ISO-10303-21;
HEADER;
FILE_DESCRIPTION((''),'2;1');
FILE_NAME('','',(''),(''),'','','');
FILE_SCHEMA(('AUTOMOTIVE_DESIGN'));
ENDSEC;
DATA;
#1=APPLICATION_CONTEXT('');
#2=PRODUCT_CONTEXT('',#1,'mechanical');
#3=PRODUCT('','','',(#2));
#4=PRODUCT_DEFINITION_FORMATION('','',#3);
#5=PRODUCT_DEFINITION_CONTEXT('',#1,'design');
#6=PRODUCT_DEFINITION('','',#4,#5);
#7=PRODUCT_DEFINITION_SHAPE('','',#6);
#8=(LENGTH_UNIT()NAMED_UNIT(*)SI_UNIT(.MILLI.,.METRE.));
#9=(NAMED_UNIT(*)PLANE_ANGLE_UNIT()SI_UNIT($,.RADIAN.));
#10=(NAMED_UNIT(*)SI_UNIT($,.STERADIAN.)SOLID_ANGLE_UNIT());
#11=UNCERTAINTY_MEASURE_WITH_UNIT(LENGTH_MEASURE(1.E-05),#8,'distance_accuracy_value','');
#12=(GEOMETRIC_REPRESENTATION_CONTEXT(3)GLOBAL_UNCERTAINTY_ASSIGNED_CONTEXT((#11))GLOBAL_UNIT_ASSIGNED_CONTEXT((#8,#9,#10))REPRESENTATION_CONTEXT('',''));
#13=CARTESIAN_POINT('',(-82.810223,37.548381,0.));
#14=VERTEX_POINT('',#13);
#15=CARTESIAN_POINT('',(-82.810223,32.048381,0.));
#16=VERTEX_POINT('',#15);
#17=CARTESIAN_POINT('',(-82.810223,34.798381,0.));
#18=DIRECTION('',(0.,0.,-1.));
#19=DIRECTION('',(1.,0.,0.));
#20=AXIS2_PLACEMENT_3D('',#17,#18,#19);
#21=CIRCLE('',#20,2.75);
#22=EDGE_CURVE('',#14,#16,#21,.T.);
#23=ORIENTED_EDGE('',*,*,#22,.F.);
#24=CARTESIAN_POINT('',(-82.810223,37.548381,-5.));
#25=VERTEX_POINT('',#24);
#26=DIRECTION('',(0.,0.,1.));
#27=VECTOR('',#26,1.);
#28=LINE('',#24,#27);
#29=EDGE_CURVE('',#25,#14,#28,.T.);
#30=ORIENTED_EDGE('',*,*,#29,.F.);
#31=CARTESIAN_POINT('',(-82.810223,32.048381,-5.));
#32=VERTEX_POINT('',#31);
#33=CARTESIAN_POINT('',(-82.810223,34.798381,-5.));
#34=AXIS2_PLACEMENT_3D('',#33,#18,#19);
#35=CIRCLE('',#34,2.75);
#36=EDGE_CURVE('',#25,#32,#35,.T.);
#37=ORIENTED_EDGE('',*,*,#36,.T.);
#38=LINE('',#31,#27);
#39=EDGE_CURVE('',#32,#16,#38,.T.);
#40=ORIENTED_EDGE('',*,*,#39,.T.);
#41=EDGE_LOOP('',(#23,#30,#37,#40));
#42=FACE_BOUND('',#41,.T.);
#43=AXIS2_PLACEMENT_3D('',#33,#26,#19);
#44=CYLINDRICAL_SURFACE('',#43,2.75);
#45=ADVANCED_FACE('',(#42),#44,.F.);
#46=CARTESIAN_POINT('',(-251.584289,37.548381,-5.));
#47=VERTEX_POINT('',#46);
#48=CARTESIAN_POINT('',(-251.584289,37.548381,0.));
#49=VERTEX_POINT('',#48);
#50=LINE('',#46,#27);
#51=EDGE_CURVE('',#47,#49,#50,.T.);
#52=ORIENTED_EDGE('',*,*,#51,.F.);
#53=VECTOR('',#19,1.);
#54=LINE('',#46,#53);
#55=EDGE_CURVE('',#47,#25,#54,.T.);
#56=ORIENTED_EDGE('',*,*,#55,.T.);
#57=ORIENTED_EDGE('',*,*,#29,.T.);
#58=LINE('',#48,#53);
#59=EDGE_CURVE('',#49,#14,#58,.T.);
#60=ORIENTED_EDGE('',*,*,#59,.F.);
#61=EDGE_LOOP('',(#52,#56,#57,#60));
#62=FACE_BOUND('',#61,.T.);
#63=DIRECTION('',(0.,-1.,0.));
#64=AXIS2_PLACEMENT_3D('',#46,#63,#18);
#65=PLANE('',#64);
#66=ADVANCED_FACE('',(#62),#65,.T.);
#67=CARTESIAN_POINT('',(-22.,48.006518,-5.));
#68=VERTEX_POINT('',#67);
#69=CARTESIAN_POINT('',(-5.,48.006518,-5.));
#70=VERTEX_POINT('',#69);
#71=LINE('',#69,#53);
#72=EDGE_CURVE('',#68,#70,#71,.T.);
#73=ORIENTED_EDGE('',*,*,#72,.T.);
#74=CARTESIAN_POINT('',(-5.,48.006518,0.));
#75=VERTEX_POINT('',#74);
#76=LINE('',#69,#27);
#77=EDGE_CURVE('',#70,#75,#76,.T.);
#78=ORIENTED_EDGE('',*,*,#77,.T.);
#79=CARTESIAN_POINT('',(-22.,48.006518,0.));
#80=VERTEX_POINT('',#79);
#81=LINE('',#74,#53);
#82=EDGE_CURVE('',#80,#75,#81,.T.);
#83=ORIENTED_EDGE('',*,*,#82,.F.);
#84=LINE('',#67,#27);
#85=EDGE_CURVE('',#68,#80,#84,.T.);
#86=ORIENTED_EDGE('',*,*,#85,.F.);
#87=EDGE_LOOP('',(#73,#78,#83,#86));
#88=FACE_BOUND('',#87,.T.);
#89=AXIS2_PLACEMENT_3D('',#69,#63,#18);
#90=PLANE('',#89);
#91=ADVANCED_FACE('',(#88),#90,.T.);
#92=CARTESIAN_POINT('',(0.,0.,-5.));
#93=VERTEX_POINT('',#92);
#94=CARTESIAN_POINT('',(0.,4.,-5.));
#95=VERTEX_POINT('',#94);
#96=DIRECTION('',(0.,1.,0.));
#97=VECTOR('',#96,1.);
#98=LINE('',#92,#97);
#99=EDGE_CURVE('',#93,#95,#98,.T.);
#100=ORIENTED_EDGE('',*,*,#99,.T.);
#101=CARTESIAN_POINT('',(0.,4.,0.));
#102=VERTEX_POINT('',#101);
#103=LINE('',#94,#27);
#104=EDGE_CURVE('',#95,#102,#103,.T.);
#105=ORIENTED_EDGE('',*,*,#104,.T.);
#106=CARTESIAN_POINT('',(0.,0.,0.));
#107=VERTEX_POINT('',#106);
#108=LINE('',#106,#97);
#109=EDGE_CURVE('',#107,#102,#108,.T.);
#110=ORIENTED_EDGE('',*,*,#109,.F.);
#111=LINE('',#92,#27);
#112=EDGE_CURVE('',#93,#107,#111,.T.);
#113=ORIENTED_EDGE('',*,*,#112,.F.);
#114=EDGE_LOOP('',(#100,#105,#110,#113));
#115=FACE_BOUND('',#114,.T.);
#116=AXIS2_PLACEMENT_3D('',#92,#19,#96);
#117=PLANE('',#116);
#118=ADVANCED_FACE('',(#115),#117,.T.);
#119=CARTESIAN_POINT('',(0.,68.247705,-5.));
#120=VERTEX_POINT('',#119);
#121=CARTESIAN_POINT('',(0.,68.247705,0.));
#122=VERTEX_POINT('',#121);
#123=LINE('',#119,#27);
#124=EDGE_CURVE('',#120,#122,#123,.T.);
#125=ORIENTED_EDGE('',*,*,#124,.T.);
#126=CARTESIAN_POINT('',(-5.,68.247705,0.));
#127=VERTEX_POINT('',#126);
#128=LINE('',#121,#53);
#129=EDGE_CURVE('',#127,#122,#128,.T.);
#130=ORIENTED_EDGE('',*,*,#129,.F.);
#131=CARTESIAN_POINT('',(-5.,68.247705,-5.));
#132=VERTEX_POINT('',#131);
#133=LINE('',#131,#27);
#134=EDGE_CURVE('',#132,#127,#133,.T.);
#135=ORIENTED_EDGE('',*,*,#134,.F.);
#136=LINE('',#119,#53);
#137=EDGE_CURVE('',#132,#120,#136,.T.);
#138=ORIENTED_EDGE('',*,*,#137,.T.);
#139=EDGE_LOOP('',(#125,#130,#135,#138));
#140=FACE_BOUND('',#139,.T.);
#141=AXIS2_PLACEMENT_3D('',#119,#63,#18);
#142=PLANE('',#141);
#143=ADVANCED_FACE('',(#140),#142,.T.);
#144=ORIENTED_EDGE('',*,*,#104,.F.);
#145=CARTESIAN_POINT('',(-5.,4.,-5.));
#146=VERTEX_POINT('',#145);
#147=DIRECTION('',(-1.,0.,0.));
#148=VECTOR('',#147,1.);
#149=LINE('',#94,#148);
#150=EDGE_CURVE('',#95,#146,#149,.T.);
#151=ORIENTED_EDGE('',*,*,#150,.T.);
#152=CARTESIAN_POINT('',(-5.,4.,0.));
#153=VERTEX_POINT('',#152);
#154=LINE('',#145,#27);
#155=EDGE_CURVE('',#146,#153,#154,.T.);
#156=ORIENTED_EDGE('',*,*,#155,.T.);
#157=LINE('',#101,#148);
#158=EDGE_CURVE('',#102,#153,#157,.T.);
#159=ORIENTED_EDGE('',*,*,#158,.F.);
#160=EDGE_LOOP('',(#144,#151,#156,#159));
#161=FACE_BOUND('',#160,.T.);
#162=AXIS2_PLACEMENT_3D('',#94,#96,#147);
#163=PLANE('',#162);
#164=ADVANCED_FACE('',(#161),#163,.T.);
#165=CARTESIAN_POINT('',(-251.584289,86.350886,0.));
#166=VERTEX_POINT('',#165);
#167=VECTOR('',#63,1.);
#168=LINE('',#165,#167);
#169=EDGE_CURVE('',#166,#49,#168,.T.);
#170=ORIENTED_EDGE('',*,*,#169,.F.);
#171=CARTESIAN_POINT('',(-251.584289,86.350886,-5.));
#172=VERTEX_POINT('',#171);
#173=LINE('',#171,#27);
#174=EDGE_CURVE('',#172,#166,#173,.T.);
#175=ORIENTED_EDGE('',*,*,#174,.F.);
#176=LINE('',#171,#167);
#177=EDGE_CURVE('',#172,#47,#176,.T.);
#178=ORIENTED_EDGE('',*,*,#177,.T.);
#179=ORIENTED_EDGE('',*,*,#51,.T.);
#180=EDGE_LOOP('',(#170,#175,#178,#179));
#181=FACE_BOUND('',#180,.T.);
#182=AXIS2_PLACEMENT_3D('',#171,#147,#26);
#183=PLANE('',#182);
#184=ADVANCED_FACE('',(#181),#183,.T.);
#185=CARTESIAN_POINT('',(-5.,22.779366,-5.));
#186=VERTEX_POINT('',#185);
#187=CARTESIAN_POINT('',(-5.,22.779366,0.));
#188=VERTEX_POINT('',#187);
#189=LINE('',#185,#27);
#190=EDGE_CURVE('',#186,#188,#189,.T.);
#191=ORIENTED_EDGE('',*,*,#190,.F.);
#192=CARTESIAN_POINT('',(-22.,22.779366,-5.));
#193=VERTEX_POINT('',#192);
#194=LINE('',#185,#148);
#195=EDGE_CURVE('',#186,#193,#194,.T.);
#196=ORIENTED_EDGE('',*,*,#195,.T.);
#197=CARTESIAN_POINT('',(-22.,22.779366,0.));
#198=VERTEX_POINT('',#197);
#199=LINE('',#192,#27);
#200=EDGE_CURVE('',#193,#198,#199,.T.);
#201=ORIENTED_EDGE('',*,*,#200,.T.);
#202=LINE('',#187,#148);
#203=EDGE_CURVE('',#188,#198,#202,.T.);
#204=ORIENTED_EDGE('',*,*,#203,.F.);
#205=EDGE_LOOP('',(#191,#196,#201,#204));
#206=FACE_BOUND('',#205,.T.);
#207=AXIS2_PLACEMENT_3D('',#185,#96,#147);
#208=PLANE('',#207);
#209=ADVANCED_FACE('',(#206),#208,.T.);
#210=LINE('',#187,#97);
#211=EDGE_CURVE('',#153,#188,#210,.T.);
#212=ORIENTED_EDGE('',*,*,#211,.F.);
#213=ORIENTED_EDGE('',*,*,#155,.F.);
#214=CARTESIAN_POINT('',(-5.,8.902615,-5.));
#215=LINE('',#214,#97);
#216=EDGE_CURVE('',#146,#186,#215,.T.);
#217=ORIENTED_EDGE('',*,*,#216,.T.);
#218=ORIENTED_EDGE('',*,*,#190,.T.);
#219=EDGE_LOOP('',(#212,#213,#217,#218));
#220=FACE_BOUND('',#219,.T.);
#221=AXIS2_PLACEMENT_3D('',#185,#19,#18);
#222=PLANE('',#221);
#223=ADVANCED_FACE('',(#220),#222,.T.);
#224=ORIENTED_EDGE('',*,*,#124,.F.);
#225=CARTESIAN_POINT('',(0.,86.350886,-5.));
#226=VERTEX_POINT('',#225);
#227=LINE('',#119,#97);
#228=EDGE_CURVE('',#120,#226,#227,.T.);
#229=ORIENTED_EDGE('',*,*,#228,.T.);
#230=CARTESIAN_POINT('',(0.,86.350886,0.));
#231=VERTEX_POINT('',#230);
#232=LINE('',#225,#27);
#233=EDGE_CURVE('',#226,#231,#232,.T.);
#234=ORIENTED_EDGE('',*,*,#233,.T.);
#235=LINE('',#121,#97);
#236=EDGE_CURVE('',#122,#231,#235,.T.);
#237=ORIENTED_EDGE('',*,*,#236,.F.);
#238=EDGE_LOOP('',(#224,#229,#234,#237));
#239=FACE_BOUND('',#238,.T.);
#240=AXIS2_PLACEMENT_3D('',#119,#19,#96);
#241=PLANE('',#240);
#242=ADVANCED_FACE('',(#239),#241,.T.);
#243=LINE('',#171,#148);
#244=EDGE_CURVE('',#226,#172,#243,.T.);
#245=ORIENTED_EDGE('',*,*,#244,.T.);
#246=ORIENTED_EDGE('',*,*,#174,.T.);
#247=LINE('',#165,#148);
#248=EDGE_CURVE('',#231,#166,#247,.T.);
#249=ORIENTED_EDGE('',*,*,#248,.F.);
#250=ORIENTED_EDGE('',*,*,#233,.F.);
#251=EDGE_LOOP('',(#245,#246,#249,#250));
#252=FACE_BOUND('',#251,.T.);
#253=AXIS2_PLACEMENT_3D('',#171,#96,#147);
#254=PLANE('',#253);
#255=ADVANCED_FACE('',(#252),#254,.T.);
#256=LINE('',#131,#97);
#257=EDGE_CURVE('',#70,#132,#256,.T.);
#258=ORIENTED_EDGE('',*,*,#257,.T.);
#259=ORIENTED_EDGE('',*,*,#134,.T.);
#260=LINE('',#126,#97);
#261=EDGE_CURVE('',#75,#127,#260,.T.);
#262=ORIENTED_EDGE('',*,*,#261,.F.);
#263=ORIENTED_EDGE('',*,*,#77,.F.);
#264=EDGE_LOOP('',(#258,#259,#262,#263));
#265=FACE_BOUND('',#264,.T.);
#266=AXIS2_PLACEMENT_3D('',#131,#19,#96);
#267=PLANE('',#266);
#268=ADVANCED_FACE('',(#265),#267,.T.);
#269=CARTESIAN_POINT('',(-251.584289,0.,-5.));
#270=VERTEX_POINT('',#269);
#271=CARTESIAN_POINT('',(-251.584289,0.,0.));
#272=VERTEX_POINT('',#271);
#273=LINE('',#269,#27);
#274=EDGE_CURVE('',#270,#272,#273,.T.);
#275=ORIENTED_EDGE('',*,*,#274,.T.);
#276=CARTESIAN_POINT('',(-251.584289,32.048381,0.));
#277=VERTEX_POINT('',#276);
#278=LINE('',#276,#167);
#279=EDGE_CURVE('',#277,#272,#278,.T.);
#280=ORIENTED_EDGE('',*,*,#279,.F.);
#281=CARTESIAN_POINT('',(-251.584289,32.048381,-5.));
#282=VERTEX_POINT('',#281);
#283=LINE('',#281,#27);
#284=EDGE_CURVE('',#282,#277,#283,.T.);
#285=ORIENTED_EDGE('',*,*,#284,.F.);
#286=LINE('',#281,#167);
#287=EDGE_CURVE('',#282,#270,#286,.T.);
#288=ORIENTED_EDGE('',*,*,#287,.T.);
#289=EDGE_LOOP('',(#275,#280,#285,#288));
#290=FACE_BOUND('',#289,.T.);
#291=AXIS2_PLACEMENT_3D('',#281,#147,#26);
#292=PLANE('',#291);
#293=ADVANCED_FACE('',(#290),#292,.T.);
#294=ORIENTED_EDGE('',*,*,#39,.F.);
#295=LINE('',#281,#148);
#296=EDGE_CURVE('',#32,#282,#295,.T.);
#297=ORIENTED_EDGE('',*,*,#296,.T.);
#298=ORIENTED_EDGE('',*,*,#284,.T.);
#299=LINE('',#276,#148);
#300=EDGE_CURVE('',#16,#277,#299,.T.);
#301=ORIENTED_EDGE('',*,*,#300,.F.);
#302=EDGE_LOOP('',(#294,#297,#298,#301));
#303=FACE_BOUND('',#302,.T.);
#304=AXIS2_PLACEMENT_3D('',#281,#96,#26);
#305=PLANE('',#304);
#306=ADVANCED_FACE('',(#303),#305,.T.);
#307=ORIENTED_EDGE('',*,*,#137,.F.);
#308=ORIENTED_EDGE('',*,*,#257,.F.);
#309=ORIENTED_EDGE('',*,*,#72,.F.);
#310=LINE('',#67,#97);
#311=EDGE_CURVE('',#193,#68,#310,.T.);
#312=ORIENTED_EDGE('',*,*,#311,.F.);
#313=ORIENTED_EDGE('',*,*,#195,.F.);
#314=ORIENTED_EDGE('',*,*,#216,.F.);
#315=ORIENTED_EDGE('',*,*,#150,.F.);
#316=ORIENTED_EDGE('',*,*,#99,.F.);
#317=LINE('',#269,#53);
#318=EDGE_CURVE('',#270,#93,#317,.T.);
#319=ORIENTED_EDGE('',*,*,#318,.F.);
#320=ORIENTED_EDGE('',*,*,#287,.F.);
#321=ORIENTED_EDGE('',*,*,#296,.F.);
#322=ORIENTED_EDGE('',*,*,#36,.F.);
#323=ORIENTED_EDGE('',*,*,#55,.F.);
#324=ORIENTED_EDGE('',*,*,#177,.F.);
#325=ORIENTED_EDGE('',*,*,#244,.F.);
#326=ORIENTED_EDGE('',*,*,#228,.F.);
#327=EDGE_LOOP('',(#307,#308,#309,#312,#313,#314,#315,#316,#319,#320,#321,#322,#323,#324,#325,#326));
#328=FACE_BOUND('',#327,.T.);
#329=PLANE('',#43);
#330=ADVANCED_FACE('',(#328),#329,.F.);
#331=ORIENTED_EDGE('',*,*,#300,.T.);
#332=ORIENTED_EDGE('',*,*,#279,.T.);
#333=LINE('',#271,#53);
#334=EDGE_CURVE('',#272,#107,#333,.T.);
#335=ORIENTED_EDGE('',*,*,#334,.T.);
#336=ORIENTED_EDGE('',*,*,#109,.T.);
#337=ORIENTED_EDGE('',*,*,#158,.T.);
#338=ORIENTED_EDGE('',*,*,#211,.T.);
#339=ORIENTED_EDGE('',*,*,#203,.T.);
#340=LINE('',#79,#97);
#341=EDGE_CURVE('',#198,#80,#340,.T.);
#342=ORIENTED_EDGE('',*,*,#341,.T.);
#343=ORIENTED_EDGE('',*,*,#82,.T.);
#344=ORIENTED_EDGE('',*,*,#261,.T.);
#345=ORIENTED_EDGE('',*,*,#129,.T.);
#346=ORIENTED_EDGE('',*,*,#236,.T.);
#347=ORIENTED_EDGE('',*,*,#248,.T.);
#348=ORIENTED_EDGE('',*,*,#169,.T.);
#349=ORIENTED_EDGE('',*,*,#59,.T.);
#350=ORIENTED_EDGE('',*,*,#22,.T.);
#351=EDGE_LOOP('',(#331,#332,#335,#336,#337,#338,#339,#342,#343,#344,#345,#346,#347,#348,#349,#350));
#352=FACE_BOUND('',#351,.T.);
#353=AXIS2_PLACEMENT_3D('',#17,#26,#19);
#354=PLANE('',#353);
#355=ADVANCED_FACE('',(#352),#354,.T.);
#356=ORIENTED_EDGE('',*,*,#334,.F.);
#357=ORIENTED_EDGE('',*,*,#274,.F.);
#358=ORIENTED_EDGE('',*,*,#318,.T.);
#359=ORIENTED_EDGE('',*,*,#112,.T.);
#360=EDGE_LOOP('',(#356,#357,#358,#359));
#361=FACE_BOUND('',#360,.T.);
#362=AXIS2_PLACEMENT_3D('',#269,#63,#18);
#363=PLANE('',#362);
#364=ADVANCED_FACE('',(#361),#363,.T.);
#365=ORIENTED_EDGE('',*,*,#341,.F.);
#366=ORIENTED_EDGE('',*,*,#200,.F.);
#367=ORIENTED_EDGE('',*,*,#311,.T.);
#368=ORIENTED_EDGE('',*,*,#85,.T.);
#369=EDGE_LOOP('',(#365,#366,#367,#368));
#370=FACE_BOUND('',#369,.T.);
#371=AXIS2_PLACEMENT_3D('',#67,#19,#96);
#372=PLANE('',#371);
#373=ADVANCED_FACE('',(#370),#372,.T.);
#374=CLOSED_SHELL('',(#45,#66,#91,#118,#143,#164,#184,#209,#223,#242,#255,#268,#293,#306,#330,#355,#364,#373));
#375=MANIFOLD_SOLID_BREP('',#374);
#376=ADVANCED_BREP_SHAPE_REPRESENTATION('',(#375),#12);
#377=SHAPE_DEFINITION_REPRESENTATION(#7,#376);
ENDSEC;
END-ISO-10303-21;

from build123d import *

# Parameters (mm, degrees)
BOSS_EXTRUDE1_DEPTH = 5


with BuildPart() as part:
    # Sketch1 → Boss-Extrude1 (new body)
    with BuildSketch(Plane.XY):
        with BuildLine():
            Line((-5, 13.882591105), (-5, 8.902615006))
            Line((-5, 8.902615006), (-5, 4))
            Line((-5, 4), (0, 4))
            Line((0, 4), (0, 0))
            Line((0, 0), (-251.584289061, 0))
            Line((-251.584289061, 0), (-251.584289061, 32.048381087))
            Line((-251.584289061, 32.048381087), (-82.810223158, 32.048381087))
            ThreePointArc((-82.810223158, 32.048381087), (-80.060223158, 34.798381087), (-82.810223158, 37.548381087))
            Line((-82.810223158, 37.548381087), (-251.584289061, 37.548381087))
            Line((-251.584289061, 37.548381087), (-251.584289061, 86.350886134))
            Line((-251.584289061, 86.350886134), (0, 86.350886134))
            Line((0, 86.350886134), (0, 68.247704672))
            Line((0, 68.247704672), (-5, 68.247704672))
            Line((-5, 68.247704672), (-5, 48.006517598))
            Line((-5, 48.006517598), (-22, 48.006517598))
            Line((-22, 48.006517598), (-22, 22.779366172))
            Line((-22, 22.779366172), (-5, 22.779366172))
            Line((-5, 22.779366172), (-5, 13.882591105))
        make_face()
    extrude(amount=-BOSS_EXTRUDE1_DEPTH)


solid = part.part
